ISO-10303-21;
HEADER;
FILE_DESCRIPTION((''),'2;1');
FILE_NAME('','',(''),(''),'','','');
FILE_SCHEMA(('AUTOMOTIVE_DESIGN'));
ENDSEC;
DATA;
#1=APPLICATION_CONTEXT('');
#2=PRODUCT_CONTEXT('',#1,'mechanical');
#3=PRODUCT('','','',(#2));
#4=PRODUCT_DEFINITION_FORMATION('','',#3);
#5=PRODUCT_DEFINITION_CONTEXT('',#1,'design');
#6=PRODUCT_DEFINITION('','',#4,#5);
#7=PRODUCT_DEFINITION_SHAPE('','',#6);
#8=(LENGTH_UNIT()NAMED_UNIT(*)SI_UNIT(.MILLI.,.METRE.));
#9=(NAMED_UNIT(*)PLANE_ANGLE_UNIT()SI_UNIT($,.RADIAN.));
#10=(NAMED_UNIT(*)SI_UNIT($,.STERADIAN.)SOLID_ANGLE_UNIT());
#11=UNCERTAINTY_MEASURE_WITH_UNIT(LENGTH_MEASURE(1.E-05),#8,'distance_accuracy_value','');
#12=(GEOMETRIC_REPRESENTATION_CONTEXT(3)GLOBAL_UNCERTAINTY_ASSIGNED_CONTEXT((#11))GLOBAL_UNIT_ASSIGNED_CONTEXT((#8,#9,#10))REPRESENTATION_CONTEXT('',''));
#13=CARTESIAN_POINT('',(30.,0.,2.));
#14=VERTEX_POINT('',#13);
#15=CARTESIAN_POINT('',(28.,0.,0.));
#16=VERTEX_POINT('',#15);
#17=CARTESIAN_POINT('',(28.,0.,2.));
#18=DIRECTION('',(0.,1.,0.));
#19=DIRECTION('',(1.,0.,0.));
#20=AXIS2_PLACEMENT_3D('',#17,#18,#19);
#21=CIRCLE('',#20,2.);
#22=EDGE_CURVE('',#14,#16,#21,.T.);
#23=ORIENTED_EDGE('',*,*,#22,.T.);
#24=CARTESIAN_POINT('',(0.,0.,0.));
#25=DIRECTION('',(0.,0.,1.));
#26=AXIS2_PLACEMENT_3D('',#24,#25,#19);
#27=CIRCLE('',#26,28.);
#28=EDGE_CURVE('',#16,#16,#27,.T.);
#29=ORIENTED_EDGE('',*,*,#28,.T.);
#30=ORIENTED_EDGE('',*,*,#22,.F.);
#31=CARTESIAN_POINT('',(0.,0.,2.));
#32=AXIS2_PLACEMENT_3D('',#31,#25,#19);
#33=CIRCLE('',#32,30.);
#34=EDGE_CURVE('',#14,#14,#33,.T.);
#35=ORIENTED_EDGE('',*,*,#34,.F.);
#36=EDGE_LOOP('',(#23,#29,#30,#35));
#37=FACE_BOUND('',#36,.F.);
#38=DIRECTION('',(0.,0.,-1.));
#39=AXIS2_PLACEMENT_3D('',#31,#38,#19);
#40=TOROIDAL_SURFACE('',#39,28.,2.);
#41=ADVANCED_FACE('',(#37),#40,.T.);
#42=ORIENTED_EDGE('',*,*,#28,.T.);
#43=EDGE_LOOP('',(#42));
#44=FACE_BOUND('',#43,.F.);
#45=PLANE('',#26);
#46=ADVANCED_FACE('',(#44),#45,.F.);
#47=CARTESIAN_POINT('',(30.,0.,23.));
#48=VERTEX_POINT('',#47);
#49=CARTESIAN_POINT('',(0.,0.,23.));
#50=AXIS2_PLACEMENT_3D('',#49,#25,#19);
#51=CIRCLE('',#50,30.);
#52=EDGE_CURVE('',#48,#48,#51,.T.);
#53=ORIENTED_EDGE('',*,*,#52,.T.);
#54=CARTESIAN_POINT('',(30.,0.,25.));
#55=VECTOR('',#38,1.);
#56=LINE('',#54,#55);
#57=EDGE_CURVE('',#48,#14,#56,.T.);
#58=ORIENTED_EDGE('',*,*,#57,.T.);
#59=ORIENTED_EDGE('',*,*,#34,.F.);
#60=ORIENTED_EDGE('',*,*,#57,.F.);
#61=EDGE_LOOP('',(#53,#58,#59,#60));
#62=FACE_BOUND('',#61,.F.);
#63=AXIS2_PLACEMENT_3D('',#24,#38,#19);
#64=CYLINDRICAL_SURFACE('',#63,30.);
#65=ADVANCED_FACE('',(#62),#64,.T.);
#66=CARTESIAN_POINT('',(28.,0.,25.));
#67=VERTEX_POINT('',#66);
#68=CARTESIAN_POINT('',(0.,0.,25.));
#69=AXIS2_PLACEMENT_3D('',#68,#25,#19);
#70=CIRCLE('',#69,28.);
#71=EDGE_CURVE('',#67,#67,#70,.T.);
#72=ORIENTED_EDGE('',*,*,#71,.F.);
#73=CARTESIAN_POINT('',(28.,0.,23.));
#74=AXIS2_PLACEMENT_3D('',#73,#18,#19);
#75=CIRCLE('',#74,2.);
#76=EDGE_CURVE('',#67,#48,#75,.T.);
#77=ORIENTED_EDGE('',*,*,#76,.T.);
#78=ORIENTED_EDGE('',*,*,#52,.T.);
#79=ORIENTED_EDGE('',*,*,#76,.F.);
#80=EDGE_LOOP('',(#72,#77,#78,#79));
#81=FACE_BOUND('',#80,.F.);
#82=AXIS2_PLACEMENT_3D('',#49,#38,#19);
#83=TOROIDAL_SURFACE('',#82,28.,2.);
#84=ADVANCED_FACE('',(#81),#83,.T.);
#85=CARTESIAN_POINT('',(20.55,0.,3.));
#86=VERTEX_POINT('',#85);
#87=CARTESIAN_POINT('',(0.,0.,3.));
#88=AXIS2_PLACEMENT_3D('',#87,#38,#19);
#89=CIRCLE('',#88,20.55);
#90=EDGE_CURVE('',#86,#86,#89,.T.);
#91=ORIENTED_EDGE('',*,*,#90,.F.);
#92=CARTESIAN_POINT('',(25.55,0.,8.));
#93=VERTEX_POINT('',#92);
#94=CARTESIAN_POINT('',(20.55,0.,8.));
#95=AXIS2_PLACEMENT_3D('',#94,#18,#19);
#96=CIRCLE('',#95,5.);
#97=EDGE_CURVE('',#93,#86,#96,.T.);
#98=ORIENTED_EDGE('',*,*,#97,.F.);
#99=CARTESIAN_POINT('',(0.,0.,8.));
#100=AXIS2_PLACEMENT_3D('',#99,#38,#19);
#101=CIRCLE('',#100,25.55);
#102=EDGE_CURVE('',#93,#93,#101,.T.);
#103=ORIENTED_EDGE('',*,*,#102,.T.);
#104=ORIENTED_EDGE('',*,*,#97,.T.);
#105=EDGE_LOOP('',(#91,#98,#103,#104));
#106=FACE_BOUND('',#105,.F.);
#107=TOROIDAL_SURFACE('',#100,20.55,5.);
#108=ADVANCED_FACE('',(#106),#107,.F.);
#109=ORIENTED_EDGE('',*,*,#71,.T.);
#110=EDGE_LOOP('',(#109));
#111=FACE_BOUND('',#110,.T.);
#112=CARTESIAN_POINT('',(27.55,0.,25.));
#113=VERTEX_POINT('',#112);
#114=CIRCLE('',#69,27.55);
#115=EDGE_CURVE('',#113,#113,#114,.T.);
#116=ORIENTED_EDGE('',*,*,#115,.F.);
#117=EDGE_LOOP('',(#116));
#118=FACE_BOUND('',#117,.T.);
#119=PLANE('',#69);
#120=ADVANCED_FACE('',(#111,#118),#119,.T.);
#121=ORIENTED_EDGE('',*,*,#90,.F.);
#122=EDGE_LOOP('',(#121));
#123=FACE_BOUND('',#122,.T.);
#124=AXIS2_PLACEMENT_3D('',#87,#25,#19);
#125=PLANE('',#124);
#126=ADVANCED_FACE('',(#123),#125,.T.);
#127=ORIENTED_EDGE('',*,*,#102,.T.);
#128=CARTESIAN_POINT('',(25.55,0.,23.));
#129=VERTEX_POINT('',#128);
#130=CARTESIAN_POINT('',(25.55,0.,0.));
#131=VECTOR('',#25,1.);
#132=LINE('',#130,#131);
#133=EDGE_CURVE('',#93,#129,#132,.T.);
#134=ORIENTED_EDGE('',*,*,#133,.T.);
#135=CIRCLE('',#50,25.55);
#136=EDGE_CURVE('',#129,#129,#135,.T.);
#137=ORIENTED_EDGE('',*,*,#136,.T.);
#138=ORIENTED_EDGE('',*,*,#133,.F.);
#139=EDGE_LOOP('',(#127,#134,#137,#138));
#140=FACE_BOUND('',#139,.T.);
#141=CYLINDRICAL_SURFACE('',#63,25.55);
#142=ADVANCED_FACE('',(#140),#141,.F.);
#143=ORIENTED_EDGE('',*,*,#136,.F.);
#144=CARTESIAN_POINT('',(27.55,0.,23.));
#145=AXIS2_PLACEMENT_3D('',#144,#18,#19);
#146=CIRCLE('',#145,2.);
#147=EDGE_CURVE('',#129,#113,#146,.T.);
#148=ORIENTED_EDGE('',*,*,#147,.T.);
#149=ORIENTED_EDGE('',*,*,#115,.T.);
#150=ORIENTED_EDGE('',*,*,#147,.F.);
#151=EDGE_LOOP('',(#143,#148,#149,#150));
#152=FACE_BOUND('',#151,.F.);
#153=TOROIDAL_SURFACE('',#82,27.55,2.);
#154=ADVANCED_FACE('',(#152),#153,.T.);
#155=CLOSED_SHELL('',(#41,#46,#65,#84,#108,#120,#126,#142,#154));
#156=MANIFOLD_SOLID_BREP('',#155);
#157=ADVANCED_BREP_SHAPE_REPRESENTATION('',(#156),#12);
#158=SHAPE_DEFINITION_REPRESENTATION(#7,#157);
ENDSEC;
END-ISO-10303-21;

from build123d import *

# Parameters (mm, degrees)
F0_R     = 30
F0_R_2   = 25.55
F1_DEPTH = 3
F2_DEPTH = 25
F3_R     = 5
F4_R     = 2
F0_R_3   = 40
F0_R_4   = 30.5
F5_DEPTH = 27.3
F6_R     = 2


with BuildPart() as f1:
    # F0 (on Top) → F1 (new body)
    with BuildSketch(Plane.XY):
        Circle(F0_R)
        Circle(F0_R_2, mode=Mode.SUBTRACT)
        Circle(F0_R_2)
    extrude(amount=F1_DEPTH)

    # F0 (on Top) → F2 (join)
    with BuildSketch(Plane.XY):
        Circle(F0_R)
        Circle(F0_R_2, mode=Mode.SUBTRACT)
    extrude(amount=F2_DEPTH)

    # F3
    f3_edges = [f1.edges().sort_by_distance(p)[0] for p in [
        (-25.55, 0, 3),
    ]]
    fillet(f3_edges, radius=F3_R)

    # F4
    f4_edges = [f1.edges().sort_by_distance(p)[0] for p in [
        (-25.55, 0, 25),
        (-30, 0, 25),
    ]]
    fillet(f4_edges, radius=F4_R)

    # F0 (on Top) → F5 (cut)
    with BuildSketch(Plane.XY):
        Circle(F0_R_3)
        Circle(F0_R_4, mode=Mode.SUBTRACT)
    extrude(amount=F5_DEPTH, mode=Mode.SUBTRACT)

    # F6
    f6_edges = [f1.edges().sort_by_distance(p)[0] for p in [
        (-30, 0, 0),
    ]]
    fillet(f6_edges, radius=F6_R)


solid = f1.part
